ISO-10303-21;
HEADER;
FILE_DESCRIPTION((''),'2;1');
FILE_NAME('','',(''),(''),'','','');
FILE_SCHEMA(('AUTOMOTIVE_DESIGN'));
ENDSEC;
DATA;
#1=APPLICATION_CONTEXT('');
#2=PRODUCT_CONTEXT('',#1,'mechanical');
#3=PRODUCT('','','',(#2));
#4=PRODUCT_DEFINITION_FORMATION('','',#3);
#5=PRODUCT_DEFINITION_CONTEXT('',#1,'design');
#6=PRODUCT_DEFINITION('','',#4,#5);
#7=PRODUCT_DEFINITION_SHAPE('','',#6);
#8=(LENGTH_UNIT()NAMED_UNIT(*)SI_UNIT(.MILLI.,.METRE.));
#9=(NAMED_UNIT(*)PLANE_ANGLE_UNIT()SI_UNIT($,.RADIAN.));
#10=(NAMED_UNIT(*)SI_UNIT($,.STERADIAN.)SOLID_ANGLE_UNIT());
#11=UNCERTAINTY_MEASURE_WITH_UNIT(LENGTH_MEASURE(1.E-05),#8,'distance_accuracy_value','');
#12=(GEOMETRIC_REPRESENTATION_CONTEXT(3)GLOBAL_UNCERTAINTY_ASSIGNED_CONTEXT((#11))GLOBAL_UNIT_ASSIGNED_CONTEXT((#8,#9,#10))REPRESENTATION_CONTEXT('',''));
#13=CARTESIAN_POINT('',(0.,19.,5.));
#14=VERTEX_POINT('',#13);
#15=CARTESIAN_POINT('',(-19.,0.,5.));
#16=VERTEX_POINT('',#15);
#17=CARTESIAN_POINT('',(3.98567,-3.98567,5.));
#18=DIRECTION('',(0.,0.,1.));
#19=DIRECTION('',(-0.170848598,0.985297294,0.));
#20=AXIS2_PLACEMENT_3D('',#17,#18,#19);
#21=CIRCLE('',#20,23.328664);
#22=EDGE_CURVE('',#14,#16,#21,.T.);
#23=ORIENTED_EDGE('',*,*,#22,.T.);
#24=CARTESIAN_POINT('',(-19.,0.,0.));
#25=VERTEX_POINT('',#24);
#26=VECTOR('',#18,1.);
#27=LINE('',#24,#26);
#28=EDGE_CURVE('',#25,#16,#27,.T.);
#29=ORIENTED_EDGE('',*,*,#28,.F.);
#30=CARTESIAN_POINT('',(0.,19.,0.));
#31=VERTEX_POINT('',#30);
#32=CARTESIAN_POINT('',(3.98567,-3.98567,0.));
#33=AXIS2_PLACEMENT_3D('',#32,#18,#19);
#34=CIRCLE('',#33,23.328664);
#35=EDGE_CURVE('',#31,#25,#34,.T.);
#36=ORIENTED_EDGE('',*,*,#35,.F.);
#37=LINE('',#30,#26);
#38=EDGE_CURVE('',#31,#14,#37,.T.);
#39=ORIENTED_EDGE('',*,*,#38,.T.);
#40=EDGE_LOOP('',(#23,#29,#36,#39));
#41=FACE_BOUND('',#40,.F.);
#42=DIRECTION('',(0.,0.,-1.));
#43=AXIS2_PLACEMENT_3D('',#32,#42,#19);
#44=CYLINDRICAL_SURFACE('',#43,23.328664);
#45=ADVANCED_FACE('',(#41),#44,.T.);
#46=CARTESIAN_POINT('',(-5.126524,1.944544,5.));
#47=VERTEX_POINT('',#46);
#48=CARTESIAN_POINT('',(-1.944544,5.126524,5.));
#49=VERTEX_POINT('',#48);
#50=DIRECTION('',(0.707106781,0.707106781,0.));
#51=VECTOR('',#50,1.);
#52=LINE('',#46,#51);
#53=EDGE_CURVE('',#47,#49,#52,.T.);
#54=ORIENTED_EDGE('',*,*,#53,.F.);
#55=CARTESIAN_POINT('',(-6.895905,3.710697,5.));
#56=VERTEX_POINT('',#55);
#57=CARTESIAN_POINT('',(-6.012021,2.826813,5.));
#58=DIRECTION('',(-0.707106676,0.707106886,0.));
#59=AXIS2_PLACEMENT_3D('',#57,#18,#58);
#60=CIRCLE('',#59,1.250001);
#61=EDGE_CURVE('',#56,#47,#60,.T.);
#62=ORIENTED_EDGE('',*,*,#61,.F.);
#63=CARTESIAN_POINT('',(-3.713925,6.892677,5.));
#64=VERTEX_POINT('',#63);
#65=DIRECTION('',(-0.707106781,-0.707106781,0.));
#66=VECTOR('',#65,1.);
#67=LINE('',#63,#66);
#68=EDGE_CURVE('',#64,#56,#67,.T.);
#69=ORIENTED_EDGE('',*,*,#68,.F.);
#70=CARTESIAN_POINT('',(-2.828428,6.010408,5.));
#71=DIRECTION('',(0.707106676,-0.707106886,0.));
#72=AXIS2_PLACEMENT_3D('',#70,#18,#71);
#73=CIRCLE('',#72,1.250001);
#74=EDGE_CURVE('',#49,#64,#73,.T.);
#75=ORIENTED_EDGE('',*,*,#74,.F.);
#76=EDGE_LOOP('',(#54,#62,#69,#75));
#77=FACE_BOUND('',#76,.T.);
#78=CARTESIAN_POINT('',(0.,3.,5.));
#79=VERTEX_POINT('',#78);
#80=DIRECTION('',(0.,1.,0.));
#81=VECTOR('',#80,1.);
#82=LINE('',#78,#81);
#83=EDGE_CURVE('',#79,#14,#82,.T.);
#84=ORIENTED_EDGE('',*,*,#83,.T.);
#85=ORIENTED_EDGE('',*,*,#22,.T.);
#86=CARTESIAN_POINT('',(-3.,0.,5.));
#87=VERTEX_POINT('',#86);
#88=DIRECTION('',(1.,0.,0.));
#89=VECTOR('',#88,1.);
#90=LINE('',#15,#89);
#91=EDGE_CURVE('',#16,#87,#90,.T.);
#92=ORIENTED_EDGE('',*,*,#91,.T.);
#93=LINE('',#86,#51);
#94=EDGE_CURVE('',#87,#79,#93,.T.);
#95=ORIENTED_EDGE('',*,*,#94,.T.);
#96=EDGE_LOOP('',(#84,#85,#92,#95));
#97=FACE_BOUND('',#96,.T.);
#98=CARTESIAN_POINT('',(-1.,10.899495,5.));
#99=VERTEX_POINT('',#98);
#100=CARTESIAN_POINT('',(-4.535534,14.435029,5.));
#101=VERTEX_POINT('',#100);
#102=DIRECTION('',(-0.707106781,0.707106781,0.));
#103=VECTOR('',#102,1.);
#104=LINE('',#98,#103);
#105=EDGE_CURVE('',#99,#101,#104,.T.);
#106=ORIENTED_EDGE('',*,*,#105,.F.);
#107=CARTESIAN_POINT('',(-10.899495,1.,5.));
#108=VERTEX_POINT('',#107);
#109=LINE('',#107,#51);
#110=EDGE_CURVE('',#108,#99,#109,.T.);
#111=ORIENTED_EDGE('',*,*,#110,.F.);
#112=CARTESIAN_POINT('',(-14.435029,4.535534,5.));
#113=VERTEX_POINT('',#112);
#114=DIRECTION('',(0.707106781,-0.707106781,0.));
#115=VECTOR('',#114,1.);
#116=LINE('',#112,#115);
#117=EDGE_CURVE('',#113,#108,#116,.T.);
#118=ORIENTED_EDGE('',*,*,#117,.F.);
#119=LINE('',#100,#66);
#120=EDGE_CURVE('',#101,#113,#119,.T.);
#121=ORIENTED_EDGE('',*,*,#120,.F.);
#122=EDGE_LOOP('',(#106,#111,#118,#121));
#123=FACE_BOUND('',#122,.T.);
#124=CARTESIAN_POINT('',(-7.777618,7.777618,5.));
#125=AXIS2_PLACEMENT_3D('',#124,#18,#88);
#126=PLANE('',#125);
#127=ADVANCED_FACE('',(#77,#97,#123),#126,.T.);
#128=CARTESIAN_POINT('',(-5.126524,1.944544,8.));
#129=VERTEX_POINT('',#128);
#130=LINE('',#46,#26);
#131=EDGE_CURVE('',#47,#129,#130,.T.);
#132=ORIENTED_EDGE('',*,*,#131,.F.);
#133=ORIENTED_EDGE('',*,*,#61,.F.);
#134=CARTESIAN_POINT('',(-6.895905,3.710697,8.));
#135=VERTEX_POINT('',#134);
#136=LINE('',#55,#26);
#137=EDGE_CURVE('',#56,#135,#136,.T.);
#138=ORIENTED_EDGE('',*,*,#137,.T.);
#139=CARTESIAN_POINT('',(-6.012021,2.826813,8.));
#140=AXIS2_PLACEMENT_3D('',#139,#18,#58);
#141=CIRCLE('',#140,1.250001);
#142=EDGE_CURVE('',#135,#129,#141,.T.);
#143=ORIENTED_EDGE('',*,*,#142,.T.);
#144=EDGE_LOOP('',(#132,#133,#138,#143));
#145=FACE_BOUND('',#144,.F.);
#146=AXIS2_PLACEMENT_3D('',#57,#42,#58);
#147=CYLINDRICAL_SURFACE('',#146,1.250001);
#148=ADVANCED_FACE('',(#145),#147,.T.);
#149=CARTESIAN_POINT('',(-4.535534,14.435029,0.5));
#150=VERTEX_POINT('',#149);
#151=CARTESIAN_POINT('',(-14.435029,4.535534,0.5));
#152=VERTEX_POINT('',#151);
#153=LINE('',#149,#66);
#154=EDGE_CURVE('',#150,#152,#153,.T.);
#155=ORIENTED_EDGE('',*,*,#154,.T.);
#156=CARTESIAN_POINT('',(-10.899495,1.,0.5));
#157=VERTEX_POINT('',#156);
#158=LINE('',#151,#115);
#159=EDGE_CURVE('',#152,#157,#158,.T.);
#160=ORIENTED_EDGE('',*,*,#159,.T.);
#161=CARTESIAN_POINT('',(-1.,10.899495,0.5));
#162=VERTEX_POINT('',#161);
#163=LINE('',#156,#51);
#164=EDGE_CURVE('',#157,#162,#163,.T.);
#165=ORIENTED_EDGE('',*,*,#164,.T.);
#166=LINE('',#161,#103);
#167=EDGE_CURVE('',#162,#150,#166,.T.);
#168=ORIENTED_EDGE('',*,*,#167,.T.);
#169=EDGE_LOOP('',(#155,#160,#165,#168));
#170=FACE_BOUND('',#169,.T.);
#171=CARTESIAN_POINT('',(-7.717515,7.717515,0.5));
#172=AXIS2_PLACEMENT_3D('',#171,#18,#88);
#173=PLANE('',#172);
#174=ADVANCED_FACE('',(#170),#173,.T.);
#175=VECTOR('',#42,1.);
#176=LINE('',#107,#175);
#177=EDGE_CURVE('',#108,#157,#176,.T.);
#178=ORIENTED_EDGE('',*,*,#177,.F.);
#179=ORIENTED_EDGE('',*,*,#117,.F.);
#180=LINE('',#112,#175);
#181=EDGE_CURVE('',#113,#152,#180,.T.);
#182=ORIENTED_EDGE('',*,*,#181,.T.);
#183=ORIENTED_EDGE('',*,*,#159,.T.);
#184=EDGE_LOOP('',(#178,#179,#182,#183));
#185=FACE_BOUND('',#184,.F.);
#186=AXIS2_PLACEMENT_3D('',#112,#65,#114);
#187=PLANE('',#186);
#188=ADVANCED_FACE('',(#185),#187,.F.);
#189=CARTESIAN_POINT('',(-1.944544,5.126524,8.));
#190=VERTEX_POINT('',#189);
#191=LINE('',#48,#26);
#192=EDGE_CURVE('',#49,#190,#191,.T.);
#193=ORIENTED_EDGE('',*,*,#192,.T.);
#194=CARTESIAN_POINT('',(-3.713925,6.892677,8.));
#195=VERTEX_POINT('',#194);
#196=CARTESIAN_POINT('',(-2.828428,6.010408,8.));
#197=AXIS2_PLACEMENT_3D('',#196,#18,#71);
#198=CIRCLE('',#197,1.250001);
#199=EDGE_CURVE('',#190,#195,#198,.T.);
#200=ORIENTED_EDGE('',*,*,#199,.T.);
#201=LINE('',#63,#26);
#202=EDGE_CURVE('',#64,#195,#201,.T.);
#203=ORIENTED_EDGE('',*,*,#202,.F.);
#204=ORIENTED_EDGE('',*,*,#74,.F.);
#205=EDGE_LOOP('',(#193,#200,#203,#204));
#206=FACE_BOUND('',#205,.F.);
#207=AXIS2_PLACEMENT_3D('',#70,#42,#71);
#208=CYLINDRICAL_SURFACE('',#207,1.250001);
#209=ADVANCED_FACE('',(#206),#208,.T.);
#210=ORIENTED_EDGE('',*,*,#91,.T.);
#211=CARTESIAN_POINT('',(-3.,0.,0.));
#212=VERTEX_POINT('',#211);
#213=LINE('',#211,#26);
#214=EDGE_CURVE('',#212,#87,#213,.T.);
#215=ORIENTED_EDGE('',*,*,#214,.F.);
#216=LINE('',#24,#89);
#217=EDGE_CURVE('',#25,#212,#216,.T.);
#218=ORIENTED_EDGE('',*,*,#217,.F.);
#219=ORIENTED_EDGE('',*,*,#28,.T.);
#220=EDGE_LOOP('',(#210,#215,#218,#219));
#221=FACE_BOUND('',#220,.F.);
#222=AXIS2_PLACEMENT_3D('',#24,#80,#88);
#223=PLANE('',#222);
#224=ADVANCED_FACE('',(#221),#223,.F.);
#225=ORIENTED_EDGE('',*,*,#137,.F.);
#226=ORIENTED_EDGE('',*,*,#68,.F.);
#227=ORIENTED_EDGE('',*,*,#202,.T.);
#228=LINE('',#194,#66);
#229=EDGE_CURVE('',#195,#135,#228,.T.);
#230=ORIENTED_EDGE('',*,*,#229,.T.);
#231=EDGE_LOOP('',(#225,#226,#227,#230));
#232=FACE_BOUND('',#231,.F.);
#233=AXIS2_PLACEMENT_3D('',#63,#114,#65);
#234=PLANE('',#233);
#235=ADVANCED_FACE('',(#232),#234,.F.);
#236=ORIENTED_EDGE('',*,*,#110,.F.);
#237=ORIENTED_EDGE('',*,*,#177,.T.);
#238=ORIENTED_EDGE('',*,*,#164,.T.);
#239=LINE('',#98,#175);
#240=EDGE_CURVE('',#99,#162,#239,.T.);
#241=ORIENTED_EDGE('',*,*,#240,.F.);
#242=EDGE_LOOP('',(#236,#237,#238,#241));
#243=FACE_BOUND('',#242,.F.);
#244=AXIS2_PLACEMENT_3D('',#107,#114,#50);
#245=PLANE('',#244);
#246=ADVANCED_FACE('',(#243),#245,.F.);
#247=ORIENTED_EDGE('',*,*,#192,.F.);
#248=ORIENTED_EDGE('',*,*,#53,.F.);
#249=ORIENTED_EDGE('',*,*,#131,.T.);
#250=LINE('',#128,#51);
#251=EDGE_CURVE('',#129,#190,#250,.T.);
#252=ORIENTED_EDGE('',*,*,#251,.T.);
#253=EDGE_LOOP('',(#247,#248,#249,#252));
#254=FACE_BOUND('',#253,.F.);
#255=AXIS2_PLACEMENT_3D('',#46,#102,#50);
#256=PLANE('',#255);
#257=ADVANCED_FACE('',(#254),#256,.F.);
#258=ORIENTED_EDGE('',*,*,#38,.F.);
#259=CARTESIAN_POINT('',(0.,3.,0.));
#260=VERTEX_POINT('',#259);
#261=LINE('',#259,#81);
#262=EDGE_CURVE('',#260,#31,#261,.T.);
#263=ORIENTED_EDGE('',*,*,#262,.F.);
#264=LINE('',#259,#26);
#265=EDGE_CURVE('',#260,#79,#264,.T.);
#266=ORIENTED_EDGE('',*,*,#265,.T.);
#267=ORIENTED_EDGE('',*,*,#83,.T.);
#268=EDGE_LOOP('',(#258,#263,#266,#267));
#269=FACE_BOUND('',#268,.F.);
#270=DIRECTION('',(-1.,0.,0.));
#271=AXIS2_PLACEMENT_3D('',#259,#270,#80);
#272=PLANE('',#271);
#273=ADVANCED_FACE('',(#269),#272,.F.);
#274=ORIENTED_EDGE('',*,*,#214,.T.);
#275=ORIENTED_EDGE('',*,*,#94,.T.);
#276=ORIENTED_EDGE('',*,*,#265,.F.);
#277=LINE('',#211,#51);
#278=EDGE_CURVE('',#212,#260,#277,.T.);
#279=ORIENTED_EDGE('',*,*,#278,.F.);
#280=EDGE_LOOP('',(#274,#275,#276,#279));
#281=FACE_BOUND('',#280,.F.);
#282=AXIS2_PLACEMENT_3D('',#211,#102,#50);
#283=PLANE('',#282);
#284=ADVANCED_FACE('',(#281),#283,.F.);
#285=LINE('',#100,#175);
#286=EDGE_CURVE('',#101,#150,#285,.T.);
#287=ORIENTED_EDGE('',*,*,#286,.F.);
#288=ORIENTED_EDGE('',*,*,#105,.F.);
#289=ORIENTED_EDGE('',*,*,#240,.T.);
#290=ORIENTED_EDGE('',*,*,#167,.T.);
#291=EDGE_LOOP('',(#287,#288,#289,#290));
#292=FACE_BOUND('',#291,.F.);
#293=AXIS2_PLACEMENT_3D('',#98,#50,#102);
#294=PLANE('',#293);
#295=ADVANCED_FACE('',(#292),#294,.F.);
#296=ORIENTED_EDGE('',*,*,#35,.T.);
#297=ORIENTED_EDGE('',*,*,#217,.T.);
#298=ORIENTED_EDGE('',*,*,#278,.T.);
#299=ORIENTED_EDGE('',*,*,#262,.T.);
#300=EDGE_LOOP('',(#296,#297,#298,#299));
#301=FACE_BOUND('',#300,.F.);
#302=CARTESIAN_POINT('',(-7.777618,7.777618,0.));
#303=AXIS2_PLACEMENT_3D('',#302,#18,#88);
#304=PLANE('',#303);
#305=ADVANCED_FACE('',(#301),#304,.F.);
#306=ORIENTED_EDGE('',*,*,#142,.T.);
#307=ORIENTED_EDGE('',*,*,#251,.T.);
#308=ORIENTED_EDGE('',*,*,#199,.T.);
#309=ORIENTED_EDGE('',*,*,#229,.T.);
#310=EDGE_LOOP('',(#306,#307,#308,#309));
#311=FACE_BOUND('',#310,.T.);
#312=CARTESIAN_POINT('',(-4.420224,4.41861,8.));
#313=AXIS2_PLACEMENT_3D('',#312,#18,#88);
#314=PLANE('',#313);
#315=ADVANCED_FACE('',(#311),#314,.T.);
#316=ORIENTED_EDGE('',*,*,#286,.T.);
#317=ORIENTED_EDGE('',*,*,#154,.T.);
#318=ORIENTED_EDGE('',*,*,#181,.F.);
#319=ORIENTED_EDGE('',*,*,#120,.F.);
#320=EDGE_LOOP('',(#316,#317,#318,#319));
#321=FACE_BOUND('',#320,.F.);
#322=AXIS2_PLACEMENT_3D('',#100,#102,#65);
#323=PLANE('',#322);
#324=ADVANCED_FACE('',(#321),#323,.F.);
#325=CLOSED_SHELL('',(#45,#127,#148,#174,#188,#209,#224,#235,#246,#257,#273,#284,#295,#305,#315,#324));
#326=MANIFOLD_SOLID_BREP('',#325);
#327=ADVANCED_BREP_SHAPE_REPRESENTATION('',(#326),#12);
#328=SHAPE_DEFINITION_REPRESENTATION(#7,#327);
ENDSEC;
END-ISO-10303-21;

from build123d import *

# Parameters (mm, degrees)
F1_DEPTH = 5
F3_DEPTH = 4.5
F5_DEPTH = 3


with BuildPart() as f1:
    # F0 (on Top) → F1 (new body)
    with BuildSketch(Plane.XY):
        with BuildLine():
            Line((-3, 0), (0, 3))
            Line((0, 3), (0, 19))
            ThreePointArc((0, 19), (-12.510187, 12.510187), (-19, 0))
            Line((-19, 0), (-3, 0))
        make_face()
    extrude(amount=F1_DEPTH)

    # F2 (on face) → F3 (cut)
    with BuildSketch(Plane.XY.offset(5)):
        Polygon((-10.899495, 1), (-1, 10.899495), (-4.535534, 14.435029), (-14.435029, 4.535534), align=None)
    extrude(amount=-F3_DEPTH, mode=Mode.SUBTRACT)

    # F4 (on face) → F5 (join)
    with BuildSketch(Plane.XY.offset(5)):
        with BuildLine():
            Line((-3.713925, 6.892677), (-6.895905, 3.710697))
            ThreePointArc((-6.895905, 3.710697), (-6.895098, 1.942122), (-5.126524, 1.944544))
            Line((-5.126524, 1.944544), (-1.944544, 5.126524))
            ThreePointArc((-1.944544, 5.126524), (-1.945351, 6.895099), (-3.713925, 6.892677))
        make_face()
    extrude(amount=F5_DEPTH)


solid = f1.part
